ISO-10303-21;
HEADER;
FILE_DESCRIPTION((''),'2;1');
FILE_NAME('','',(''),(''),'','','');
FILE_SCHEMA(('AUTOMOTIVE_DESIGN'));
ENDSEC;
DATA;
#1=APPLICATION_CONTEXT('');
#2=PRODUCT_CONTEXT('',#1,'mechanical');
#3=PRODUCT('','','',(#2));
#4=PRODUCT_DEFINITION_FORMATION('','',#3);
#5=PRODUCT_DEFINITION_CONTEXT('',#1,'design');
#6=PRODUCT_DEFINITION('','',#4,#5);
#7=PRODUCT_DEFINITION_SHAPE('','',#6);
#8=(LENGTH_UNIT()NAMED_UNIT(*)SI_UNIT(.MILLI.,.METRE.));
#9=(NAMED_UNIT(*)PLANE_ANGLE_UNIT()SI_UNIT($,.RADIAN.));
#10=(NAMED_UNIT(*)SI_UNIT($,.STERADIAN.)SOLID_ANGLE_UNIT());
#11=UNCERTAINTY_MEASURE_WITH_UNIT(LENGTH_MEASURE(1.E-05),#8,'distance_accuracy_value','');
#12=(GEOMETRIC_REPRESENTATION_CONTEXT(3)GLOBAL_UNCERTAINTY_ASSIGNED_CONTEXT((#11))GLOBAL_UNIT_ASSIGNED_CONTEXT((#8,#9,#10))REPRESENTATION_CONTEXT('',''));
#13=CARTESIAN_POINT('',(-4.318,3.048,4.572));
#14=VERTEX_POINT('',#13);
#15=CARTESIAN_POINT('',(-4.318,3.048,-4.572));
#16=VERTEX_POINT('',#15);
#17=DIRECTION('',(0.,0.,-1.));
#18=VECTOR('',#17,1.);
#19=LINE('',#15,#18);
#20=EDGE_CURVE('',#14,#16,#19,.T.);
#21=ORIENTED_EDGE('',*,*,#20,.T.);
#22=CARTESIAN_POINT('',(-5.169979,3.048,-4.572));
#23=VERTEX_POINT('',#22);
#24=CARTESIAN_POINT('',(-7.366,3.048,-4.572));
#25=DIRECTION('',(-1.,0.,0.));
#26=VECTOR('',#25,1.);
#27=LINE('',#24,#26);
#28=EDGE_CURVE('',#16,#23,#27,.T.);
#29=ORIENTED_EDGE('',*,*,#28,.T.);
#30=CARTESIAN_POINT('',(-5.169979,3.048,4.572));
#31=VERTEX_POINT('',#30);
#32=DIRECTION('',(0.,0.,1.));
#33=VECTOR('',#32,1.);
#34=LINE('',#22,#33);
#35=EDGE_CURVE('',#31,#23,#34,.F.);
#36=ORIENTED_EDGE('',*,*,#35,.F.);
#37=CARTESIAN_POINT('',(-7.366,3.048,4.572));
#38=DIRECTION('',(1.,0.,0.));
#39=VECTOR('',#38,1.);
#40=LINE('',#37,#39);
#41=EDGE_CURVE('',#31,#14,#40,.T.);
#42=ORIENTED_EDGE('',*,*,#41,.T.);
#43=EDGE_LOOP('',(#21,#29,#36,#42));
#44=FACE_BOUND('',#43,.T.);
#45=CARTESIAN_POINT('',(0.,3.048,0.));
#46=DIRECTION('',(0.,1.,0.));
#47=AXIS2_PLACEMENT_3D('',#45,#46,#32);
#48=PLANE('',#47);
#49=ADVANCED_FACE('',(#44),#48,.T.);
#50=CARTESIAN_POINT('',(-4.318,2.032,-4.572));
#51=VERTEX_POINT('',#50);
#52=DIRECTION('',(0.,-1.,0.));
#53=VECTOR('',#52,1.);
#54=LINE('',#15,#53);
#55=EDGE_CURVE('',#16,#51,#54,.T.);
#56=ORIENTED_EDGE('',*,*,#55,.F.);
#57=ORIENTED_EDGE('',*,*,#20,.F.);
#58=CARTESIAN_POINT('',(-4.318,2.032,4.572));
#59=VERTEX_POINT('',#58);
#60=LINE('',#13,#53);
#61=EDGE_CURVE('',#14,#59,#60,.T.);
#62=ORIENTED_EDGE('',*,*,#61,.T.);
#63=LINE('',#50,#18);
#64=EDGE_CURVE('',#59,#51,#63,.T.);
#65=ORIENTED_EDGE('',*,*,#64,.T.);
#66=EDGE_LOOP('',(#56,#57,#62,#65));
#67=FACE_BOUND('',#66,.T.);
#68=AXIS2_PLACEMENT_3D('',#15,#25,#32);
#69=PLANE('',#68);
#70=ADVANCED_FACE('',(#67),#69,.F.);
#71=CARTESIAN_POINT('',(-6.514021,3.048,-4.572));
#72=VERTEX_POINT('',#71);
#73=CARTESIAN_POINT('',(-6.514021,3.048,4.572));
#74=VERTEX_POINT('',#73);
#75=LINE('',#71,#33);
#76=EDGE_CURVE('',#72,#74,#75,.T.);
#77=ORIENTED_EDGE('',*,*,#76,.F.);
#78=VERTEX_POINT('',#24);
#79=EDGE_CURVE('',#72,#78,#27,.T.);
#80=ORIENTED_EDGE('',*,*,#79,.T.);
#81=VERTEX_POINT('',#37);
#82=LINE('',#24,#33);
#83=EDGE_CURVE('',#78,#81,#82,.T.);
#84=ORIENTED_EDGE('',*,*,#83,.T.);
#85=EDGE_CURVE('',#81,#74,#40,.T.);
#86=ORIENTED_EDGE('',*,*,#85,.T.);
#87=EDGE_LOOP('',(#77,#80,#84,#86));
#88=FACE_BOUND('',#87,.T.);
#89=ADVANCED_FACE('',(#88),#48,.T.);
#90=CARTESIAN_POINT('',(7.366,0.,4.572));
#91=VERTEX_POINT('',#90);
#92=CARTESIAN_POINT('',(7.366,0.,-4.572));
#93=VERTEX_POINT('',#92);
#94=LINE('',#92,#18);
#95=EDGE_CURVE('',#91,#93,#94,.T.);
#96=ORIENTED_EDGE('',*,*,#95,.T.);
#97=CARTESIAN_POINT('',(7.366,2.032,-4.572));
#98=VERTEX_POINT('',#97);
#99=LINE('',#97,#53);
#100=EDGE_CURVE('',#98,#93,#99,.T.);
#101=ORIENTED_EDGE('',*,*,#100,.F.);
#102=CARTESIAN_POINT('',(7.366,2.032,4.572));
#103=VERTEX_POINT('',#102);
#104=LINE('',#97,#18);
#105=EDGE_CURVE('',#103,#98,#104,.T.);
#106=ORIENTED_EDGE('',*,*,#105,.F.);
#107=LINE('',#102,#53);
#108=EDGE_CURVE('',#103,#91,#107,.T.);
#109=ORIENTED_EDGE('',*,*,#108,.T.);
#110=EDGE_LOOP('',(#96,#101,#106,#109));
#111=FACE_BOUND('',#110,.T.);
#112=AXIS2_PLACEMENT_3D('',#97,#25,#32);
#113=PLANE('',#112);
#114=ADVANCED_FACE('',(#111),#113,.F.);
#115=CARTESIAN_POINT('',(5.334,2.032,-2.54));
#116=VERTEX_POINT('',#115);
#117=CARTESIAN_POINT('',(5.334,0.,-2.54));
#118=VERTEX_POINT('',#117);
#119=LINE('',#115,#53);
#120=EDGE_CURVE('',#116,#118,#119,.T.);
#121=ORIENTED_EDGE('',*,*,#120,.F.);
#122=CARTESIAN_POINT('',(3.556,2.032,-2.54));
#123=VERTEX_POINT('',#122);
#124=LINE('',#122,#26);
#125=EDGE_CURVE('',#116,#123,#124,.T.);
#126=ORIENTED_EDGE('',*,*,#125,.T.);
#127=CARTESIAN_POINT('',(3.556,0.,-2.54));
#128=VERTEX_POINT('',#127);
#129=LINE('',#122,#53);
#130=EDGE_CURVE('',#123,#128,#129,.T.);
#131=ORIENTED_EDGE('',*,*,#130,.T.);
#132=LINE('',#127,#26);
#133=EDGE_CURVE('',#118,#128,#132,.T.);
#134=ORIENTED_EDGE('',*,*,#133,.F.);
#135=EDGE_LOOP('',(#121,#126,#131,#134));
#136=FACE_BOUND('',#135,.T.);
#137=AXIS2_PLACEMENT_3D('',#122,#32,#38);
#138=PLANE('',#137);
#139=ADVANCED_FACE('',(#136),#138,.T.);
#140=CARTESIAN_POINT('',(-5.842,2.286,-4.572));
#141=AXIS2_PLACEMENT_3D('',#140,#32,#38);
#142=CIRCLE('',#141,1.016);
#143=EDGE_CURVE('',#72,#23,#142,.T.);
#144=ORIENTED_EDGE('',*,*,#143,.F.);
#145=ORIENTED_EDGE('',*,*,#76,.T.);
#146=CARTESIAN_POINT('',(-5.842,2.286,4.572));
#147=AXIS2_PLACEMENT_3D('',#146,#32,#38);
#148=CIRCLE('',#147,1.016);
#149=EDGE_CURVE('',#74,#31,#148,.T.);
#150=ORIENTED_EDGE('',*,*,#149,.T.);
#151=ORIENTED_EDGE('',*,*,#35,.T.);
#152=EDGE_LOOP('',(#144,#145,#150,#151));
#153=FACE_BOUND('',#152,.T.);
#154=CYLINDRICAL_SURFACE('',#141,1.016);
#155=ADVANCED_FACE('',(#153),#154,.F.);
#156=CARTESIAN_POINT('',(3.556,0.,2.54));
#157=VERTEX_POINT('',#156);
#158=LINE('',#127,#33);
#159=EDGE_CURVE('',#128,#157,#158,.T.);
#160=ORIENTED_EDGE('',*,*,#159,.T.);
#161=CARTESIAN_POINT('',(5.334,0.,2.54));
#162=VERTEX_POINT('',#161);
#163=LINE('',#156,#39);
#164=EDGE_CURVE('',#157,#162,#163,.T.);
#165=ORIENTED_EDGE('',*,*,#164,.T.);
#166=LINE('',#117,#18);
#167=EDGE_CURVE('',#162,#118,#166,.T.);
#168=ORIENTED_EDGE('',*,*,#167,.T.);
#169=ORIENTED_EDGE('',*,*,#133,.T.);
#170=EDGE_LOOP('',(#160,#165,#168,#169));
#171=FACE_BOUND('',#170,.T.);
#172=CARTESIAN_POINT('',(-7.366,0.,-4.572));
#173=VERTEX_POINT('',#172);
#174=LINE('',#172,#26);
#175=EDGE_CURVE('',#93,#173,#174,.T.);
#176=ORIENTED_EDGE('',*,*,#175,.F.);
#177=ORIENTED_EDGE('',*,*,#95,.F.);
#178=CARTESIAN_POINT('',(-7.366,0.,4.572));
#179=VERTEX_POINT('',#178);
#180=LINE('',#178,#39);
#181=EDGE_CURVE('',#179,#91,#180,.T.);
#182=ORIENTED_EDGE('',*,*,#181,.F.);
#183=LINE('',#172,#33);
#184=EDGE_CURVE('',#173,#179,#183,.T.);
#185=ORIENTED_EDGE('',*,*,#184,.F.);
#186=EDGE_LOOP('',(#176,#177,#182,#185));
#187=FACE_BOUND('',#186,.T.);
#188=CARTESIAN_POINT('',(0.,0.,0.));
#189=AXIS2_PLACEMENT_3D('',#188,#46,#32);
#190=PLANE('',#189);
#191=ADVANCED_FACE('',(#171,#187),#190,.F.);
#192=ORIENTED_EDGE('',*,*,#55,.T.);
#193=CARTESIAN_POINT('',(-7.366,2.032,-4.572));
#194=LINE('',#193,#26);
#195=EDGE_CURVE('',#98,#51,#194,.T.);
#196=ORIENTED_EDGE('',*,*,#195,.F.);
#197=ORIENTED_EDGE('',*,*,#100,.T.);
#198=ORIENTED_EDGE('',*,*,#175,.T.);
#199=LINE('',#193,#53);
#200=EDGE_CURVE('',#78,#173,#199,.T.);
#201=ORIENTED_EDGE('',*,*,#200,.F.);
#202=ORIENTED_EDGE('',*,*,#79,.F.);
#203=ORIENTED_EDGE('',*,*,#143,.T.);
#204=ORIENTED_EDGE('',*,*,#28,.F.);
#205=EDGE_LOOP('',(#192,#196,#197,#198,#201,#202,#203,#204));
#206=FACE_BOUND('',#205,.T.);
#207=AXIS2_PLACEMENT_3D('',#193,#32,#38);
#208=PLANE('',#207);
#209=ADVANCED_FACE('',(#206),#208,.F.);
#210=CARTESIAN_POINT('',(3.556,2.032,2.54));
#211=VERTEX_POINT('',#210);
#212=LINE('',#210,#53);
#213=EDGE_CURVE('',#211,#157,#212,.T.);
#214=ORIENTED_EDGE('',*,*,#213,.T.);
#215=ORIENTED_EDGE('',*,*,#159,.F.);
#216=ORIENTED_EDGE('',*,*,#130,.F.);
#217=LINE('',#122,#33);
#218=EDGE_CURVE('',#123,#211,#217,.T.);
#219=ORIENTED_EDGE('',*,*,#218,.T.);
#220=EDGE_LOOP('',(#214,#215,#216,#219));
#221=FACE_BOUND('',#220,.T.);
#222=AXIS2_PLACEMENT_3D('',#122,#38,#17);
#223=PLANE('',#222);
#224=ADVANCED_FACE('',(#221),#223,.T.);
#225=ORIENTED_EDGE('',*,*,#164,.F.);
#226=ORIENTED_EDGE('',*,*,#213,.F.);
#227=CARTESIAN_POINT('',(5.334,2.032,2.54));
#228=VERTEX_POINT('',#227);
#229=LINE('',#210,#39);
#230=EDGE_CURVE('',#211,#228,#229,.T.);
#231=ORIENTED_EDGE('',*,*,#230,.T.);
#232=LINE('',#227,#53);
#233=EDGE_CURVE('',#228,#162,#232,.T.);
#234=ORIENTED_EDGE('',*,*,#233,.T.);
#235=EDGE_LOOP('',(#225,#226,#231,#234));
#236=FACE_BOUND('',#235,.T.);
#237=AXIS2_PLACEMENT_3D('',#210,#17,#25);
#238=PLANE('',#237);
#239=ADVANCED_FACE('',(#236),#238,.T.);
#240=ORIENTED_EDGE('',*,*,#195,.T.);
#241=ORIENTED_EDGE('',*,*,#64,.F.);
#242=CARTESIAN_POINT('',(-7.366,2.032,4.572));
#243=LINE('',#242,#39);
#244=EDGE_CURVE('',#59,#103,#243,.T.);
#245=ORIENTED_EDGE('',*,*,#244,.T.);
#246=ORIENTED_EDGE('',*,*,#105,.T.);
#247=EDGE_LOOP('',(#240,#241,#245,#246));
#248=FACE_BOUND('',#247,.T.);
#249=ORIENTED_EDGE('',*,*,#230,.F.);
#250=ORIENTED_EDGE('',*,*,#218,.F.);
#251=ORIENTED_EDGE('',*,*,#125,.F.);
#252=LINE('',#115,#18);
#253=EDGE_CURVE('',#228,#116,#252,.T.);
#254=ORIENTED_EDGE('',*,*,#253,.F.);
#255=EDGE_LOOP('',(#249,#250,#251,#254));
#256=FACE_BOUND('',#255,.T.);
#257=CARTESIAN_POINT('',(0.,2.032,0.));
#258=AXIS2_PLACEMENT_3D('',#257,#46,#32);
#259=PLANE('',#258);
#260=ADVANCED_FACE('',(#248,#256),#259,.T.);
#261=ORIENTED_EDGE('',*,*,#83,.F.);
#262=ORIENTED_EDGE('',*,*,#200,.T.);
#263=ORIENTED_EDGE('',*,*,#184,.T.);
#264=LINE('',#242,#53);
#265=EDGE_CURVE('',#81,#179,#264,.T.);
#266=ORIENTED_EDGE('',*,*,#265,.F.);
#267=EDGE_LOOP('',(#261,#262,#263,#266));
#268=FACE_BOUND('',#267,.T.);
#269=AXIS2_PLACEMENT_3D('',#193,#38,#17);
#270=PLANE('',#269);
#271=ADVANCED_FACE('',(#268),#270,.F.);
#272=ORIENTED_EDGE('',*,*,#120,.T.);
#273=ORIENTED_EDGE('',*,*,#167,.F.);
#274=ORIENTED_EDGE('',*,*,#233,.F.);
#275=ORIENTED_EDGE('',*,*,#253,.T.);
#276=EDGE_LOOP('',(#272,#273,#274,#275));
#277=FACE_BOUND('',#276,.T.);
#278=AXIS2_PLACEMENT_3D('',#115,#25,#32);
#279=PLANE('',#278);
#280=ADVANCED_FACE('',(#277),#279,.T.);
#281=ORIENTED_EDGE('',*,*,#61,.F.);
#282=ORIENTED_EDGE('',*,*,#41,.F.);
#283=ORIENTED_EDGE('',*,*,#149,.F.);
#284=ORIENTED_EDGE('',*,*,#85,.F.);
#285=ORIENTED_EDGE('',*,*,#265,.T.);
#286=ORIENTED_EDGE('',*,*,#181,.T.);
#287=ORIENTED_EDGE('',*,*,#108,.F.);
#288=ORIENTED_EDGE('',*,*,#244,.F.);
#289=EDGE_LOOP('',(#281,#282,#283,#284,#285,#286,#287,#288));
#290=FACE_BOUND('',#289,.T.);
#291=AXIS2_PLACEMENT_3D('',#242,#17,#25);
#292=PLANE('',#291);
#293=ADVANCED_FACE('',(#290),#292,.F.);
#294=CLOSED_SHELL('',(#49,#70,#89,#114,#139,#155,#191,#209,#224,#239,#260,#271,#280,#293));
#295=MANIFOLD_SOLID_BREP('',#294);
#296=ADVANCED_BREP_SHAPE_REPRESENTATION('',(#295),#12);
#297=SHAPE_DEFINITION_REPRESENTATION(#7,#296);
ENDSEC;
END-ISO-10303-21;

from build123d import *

# Parameters (mm, degrees)
SKETCH1_W           = 14.732
SKETCH1_H           = 9.144
SKETCH1_W_2         = 1.778
SKETCH1_H_2         = 5.08
BOSS_EXTRUDE1_DEPTH = 2.032
SKETCH2_W           = 3.048
SKETCH2_H           = 9.144
BOSS_EXTRUDE2_DEPTH = 1.016
SKETCH3_R           = 1.016
CUT_EXTRUDE1_DEPTH  = 10.144


with BuildPart() as part:
    # Sketch1 → Boss-Extrude1 (new body)
    with BuildSketch(Plane(origin=(0, 0, 0), x_dir=(1, 0, 0), z_dir=(0, 1, 0))):
        Rectangle(SKETCH1_W, SKETCH1_H)
        with Locations((4.445, 0)):
            Rectangle(SKETCH1_W_2, SKETCH1_H_2, mode=Mode.SUBTRACT)
    extrude(amount=BOSS_EXTRUDE1_DEPTH)

    # Sketch2 → Boss-Extrude2 (add)
    with BuildSketch(Plane(origin=(0, 2.032, 0), x_dir=(1, 0, 0), z_dir=(0, 1, 0))):
        with Locations((-5.842, 0)):
            Rectangle(SKETCH2_W, SKETCH2_H)
    extrude(amount=BOSS_EXTRUDE2_DEPTH)

    # Sketch3 → Cut-Extrude1 (cut, through all)
    with BuildSketch(Plane.XY.offset(4.572)):
        with Locations((-5.842, 2.286)):
            Circle(SKETCH3_R)
    extrude(amount=-CUT_EXTRUDE1_DEPTH, mode=Mode.SUBTRACT)


solid = part.part
